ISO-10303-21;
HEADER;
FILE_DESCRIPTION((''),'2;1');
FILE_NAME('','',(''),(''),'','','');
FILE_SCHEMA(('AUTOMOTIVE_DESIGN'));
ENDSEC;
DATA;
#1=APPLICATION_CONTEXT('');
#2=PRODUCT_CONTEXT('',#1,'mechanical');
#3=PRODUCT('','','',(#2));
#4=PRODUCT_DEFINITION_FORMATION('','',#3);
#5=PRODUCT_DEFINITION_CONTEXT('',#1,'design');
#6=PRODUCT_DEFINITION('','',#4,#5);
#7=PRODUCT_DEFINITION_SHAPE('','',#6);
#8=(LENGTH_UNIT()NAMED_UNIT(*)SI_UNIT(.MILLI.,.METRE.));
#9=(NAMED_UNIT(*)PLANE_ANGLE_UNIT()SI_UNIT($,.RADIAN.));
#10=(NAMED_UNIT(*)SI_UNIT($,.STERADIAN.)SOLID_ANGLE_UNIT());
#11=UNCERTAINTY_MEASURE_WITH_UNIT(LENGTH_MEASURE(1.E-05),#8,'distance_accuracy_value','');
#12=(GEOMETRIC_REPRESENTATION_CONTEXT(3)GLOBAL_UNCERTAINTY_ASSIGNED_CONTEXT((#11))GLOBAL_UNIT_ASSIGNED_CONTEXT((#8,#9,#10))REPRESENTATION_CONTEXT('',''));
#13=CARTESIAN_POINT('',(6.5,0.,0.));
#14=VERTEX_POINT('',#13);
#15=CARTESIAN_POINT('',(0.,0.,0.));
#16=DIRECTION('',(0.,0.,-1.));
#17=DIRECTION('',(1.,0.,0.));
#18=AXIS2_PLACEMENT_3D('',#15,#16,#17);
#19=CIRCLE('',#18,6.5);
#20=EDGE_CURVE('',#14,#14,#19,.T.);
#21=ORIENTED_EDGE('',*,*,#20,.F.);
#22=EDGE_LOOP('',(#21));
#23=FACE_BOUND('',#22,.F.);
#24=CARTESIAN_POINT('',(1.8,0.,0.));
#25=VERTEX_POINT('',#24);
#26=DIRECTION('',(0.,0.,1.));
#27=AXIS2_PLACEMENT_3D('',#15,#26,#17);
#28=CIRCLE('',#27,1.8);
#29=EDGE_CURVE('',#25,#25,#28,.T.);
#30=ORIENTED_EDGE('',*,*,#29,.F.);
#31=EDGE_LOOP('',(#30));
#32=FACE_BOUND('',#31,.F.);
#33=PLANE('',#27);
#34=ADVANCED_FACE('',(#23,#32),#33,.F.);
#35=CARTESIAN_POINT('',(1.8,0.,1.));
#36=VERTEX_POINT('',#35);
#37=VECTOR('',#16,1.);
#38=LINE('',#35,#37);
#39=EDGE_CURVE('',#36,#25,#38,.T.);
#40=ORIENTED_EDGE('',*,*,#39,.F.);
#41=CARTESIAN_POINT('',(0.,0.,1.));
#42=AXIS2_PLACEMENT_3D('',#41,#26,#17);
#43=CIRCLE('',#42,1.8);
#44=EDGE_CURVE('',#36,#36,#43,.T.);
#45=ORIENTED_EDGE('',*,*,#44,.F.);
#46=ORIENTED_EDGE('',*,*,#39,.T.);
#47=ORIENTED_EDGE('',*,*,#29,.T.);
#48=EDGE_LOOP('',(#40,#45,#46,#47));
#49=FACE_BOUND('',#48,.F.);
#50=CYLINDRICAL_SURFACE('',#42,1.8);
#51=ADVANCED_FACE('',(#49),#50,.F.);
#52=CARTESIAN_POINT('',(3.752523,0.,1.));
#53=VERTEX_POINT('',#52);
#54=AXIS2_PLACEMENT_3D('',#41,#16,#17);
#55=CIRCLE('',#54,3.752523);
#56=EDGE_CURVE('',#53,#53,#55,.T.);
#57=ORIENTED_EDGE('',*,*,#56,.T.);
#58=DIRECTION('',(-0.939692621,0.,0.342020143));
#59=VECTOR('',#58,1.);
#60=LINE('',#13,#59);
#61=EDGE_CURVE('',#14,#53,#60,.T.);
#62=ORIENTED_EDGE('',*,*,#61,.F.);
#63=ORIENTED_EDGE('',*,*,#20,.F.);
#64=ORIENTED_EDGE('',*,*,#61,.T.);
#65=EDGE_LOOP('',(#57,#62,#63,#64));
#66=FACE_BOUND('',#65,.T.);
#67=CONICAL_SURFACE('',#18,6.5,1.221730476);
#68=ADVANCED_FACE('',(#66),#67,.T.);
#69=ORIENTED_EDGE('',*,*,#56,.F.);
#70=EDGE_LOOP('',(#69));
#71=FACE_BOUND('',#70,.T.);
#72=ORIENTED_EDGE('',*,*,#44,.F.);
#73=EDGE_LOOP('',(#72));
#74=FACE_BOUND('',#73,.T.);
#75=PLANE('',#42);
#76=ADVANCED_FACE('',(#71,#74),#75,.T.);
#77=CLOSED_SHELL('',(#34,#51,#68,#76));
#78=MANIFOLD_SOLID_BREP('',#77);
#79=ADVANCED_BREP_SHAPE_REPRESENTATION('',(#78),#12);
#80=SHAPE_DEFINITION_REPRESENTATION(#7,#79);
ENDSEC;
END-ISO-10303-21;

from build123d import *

# Parameters (mm, degrees)
F0_R     = 6.5
F1_DEPTH = 1
F1_TAPER = 70
F2_R     = 1.8
F3_DEPTH = 25


with BuildPart() as f1:
    # F0 (on Top) → F1 (new body)
    with BuildSketch(Plane.XY):
        Circle(F0_R)
    extrude(amount=F1_DEPTH, taper=F1_TAPER)

    # F2 (on face) → F3 (cut)
    with BuildSketch(Plane.XY.offset(1)):
        Circle(F2_R)
    extrude(amount=-F3_DEPTH, mode=Mode.SUBTRACT)


solid = f1.part
